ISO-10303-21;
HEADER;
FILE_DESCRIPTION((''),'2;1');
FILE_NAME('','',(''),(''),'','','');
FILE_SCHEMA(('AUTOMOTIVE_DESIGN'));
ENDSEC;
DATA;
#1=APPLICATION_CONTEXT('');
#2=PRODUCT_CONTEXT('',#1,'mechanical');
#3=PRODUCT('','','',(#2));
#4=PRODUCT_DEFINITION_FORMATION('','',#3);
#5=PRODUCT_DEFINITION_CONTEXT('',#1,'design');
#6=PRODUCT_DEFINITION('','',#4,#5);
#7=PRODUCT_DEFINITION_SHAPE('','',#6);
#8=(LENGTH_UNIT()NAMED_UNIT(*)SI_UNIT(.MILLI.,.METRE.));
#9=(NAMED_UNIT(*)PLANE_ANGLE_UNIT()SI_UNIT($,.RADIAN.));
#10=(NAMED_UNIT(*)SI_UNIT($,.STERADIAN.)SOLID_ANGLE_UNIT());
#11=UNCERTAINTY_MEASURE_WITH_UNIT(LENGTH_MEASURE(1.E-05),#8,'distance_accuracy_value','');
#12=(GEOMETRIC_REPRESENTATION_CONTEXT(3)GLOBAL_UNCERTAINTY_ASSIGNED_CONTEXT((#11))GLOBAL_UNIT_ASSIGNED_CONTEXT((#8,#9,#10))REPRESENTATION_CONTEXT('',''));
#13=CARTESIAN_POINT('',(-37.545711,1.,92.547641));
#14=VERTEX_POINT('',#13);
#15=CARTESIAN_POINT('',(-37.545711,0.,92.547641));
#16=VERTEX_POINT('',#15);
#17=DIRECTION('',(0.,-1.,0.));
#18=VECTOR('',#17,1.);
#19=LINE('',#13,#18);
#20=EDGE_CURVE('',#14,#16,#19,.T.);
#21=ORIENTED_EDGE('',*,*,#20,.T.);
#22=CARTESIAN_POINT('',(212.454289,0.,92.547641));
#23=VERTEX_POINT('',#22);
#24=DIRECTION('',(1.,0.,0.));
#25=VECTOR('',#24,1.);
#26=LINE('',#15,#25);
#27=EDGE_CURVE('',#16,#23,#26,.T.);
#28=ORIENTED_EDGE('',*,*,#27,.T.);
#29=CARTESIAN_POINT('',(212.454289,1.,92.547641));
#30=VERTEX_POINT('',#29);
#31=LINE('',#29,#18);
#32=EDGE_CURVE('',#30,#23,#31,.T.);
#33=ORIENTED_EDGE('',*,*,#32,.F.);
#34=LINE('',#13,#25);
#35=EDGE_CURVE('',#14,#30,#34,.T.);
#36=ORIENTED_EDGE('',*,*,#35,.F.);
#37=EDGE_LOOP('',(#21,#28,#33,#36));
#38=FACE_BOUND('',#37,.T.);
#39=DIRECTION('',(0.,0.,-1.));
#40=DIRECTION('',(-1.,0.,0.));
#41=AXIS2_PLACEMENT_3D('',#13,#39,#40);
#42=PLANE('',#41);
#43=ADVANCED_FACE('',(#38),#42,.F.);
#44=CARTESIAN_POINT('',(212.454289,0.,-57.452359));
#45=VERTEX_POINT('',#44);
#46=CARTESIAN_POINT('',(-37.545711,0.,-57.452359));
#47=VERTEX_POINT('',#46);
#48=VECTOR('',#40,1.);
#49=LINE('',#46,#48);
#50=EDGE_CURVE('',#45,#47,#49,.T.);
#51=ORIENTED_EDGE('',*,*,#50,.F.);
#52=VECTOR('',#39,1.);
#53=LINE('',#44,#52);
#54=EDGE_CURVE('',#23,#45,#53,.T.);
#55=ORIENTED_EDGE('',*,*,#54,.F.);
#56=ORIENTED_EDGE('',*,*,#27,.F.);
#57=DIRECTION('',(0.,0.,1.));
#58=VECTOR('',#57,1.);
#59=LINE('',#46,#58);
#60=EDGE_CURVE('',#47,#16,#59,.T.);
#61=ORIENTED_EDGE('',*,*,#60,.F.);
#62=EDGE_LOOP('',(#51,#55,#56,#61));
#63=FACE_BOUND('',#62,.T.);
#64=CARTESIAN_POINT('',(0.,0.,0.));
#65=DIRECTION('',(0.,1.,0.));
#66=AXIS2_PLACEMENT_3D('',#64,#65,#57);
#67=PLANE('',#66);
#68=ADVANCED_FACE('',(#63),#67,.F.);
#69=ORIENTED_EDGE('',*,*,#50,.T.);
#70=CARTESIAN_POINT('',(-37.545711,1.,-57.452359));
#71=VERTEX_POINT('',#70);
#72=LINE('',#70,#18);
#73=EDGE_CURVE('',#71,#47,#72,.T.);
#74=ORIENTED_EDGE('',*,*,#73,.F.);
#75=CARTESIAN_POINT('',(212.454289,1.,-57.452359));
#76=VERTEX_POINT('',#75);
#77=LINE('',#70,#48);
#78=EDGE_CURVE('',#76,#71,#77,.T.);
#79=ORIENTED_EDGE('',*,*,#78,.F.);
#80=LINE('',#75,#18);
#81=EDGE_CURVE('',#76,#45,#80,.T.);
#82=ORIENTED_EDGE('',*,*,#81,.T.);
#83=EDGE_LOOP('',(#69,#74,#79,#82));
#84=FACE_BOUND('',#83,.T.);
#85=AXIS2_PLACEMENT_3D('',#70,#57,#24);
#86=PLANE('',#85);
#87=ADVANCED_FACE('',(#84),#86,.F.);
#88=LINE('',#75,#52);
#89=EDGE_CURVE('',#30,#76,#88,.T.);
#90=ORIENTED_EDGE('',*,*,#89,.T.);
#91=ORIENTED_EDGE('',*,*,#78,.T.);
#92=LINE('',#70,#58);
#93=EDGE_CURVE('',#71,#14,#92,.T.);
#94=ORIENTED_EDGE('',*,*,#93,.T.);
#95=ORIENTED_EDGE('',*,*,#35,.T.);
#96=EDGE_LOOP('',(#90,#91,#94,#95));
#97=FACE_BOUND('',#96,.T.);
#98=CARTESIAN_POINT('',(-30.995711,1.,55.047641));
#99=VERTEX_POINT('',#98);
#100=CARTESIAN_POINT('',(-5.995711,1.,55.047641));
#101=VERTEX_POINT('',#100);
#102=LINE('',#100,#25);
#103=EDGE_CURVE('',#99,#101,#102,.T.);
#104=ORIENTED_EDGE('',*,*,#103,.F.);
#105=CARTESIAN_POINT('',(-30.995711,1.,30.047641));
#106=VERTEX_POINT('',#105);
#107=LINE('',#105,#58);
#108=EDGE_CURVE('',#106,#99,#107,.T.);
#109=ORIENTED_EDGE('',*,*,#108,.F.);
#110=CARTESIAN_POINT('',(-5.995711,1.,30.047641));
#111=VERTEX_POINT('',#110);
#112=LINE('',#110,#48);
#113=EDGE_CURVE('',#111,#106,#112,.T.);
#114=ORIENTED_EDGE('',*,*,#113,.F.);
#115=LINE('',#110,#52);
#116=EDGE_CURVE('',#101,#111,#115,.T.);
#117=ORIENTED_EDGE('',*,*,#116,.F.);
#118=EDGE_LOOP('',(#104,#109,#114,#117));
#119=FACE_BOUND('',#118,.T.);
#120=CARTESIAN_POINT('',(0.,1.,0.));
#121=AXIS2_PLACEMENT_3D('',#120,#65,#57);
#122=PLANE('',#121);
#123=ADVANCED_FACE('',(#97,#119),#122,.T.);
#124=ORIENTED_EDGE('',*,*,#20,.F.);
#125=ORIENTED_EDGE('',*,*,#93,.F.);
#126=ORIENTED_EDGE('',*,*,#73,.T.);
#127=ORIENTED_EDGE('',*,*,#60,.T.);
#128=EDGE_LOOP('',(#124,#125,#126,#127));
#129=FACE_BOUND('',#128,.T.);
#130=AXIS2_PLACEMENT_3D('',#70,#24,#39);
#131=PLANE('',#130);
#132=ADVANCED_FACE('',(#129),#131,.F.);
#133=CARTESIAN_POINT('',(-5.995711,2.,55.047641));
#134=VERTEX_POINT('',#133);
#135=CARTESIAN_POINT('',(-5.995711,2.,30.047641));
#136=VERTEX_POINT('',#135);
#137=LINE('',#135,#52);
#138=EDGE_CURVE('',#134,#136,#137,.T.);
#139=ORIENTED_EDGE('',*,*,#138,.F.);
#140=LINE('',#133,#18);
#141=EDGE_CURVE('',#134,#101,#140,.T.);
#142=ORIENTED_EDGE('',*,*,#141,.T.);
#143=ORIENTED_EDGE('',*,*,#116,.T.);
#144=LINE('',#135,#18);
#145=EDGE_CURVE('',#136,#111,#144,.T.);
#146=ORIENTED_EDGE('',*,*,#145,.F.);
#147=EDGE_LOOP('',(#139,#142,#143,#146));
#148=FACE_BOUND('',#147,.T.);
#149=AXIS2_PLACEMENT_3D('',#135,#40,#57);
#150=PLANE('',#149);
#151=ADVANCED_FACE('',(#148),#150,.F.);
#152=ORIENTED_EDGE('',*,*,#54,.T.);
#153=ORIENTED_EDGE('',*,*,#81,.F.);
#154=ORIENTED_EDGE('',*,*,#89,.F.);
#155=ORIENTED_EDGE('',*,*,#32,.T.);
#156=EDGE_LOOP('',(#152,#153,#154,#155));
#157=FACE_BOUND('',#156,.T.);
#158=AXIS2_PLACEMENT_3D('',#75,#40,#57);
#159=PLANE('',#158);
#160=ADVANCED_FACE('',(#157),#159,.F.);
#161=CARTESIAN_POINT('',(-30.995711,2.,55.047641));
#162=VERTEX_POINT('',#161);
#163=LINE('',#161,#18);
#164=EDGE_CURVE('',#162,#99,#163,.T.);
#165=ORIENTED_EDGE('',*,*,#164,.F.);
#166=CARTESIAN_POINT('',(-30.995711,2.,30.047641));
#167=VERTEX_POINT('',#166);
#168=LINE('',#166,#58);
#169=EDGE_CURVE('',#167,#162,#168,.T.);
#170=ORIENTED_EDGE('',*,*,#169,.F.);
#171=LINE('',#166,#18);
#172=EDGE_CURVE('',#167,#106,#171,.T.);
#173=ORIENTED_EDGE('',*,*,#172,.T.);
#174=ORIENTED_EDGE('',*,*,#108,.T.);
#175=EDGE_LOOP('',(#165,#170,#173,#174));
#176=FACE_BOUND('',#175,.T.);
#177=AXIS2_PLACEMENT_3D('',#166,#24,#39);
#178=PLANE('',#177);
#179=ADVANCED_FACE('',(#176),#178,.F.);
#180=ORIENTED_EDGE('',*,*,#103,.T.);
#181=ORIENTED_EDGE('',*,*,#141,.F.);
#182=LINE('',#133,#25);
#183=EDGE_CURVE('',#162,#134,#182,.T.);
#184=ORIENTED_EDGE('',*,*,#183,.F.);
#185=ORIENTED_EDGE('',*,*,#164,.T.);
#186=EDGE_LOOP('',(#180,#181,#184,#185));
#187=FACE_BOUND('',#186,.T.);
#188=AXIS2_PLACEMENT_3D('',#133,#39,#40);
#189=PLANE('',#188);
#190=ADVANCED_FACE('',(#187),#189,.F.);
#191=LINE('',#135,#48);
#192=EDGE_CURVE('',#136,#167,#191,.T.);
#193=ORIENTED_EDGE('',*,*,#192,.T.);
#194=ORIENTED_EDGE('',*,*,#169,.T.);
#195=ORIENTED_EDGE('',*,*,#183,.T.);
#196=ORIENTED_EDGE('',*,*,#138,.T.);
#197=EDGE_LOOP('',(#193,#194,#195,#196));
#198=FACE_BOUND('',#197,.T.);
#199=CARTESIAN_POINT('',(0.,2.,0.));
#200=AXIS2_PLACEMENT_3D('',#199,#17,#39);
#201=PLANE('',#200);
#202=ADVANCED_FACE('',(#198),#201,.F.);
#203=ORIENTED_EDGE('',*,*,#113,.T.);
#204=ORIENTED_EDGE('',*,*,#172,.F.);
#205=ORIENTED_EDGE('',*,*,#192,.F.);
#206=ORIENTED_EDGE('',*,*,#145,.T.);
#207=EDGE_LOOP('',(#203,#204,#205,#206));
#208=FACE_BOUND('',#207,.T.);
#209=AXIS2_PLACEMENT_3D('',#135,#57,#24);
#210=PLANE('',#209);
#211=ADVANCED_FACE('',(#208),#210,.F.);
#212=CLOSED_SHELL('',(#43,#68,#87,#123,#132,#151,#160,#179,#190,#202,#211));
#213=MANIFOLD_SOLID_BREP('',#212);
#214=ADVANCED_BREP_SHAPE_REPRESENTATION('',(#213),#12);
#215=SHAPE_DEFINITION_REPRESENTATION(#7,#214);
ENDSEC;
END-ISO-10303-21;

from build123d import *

# Parameters (mm, degrees)
SKETCH1_W           = 250
SKETCH1_H           = 150
BOSS_EXTRUDE1_DEPTH = 1
SKETCH2_W           = 25
SKETCH2_H           = 25
BOSS_EXTRUDE2_DEPTH = 1


with BuildPart() as part:
    # Sketch1 → Boss-Extrude1 (new body)
    with BuildSketch(Plane(origin=(0, 0, 0), x_dir=(1, 0, 0), z_dir=(0, 1, 0))):
        with Locations((87.454288838, -17.547640784)):
            Rectangle(SKETCH1_W, SKETCH1_H)
    extrude(amount=BOSS_EXTRUDE1_DEPTH)

    # Sketch2 → Boss-Extrude2 (add)
    with BuildSketch(Plane(origin=(0, 1, 0), x_dir=(1, 0, 0), z_dir=(0, 1, 0))):
        with Locations((-18.495711162, -42.547640784)):
            Rectangle(SKETCH2_W, SKETCH2_H)
    extrude(amount=BOSS_EXTRUDE2_DEPTH)


solid = part.part
